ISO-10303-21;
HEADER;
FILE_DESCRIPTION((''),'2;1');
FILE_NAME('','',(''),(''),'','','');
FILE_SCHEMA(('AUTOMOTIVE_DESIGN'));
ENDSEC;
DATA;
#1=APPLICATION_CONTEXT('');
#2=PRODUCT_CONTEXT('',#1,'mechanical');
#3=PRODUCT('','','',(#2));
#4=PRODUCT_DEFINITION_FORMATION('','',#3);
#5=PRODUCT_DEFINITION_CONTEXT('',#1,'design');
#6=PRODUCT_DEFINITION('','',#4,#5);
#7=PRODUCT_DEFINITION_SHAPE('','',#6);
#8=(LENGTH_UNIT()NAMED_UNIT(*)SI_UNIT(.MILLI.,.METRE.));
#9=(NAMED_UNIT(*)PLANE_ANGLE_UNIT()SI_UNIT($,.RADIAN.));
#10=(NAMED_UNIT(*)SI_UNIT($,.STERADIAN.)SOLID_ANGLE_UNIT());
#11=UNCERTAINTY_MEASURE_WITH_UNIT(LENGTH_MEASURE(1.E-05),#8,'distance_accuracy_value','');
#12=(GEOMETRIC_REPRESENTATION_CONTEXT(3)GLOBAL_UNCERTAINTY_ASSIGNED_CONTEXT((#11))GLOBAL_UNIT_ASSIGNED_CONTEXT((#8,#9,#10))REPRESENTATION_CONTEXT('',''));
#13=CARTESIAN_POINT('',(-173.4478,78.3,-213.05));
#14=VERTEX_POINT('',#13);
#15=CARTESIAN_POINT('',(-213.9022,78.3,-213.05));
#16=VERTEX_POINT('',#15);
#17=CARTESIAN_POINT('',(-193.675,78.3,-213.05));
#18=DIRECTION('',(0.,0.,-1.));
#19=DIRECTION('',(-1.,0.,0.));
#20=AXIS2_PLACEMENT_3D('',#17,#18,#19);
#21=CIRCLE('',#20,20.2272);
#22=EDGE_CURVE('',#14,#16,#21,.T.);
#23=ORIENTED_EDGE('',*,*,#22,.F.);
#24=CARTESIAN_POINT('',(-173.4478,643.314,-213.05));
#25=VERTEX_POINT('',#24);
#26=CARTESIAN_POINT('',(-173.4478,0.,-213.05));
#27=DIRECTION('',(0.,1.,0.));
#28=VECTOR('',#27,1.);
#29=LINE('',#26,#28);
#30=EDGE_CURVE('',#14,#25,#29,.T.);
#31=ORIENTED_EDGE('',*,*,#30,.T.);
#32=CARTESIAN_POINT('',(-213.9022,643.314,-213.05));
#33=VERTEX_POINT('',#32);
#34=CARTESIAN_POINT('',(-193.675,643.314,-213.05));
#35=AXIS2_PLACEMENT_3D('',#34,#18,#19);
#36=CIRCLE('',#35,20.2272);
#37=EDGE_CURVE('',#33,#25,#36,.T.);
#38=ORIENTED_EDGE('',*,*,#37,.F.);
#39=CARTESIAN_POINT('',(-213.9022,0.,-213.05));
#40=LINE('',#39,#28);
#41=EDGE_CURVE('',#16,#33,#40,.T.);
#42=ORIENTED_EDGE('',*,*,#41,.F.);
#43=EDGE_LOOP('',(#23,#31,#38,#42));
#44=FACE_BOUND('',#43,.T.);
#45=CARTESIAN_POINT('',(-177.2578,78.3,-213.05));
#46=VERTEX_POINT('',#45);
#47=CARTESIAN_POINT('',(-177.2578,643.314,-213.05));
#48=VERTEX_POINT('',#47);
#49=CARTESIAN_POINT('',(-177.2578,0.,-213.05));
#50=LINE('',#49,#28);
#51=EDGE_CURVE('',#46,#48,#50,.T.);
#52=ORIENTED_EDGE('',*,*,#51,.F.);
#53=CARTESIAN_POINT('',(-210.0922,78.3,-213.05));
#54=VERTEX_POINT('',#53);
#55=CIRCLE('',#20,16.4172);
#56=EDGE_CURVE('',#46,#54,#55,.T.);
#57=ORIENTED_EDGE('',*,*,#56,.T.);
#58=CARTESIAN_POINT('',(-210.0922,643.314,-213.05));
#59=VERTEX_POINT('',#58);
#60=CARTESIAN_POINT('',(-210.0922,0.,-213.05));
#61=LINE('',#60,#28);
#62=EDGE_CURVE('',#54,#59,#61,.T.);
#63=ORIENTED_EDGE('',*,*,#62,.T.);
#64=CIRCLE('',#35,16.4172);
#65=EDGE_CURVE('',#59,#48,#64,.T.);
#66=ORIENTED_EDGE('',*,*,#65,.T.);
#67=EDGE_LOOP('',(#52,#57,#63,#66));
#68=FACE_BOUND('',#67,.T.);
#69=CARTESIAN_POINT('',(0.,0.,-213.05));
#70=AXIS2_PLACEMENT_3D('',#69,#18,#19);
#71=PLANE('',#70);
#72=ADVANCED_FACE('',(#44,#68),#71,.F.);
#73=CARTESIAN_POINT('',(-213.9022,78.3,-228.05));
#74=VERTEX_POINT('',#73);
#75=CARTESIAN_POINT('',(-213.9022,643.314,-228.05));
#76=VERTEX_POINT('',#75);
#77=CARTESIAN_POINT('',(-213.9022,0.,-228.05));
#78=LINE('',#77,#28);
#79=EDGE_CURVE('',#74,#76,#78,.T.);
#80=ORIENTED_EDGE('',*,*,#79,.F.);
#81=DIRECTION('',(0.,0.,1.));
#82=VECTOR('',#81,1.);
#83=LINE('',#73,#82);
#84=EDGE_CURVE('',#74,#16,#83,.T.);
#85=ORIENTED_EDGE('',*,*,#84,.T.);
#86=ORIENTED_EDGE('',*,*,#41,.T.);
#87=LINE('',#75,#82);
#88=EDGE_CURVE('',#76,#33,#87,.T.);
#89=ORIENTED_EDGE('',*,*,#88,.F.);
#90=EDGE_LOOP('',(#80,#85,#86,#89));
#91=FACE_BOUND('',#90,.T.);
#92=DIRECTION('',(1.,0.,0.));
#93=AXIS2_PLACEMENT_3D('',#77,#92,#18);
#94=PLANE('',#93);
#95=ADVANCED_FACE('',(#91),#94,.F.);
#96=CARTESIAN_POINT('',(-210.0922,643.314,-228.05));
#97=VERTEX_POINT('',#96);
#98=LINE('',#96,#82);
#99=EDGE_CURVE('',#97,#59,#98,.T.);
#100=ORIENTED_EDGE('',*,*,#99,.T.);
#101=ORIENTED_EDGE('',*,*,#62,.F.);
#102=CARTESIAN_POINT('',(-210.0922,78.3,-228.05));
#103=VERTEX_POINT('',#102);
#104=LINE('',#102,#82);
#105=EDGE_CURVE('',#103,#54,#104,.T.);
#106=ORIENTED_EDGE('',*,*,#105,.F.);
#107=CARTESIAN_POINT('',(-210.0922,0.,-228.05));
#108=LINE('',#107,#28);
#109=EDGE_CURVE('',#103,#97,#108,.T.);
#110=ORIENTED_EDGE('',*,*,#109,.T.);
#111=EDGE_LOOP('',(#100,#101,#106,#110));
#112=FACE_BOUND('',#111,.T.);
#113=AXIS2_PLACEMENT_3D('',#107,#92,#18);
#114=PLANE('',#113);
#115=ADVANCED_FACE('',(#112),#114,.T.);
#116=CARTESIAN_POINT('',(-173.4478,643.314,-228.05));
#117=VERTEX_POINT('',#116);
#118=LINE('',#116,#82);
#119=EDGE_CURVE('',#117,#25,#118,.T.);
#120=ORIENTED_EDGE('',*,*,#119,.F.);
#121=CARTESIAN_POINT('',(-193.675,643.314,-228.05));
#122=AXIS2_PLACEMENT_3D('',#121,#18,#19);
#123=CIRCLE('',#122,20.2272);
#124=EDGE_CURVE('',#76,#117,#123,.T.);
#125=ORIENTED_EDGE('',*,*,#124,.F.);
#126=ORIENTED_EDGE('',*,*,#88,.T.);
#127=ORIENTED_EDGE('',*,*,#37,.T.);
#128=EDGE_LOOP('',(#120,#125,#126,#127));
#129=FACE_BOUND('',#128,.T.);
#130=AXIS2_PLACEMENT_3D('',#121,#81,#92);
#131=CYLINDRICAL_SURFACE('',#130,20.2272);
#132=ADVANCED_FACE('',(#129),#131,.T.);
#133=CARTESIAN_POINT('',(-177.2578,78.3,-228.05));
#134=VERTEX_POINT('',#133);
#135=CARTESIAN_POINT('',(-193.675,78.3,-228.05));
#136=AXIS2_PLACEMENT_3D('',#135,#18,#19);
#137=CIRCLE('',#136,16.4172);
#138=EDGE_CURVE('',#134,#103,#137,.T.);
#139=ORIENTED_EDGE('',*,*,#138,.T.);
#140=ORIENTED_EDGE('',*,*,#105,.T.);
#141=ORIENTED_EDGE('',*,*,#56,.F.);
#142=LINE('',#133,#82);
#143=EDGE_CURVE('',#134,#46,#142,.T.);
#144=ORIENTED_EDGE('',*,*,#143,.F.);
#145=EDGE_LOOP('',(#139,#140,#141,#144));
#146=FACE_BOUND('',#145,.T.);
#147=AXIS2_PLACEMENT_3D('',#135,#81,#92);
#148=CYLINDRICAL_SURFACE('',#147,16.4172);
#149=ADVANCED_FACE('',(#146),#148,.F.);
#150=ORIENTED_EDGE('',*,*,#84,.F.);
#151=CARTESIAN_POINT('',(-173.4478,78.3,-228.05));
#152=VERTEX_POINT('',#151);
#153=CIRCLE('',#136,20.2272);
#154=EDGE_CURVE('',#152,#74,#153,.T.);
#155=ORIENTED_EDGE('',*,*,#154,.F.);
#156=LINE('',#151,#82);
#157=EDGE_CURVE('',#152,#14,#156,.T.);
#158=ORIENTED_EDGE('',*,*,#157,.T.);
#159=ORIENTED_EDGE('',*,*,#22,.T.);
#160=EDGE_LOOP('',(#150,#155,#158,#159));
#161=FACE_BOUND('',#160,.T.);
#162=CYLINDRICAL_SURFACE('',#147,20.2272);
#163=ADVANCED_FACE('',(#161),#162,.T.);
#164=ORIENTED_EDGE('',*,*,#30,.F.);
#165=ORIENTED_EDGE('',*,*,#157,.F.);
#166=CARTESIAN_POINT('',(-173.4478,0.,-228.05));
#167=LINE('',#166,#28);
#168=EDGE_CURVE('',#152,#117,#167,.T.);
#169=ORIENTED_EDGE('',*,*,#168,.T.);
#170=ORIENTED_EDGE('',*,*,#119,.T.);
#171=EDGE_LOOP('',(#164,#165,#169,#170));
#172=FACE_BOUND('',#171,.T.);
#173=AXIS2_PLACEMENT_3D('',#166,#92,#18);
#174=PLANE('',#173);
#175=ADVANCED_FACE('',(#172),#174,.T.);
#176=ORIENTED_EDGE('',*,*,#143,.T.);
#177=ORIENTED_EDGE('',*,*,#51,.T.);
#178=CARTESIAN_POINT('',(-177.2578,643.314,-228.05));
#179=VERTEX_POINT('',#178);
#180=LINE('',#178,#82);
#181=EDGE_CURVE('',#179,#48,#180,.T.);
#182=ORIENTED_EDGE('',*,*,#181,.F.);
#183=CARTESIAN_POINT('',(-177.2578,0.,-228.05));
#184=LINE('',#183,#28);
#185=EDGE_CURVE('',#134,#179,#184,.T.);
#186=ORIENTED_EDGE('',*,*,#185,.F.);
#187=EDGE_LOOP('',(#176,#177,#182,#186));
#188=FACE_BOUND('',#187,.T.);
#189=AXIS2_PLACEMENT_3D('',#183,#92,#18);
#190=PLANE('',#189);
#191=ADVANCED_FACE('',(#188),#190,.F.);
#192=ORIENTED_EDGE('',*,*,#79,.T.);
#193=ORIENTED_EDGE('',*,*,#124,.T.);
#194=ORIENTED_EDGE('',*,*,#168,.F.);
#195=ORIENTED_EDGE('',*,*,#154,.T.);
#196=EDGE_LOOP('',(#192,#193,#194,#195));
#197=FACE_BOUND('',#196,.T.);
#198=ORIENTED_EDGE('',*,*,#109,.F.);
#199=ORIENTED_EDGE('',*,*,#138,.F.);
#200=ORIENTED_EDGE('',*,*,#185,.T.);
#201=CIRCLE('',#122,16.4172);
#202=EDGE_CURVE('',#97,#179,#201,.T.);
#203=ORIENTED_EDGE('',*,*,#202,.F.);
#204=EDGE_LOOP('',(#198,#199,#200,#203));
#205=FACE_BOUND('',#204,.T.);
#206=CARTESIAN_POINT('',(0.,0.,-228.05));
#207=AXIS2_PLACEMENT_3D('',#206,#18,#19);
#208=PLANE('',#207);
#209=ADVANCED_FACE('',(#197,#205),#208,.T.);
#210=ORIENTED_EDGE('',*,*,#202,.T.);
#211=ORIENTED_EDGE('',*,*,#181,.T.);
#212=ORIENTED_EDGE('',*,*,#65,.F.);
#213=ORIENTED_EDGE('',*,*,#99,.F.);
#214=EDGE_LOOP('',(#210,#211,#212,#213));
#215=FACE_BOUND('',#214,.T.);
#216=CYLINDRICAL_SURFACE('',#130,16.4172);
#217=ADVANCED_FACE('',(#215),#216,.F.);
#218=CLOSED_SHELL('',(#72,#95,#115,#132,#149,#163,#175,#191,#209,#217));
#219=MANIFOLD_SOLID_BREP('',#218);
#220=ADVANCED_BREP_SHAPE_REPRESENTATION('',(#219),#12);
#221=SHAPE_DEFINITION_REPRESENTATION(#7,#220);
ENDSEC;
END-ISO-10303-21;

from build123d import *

# Parameters (mm, degrees)
BOSS_EXTRUDE1_DEPTH = 7.5


with BuildPart() as part:
    # Sketch1 → Boss-Extrude1 (new, symmetric)
    with BuildSketch(Plane(origin=(0, 0, -220.55), x_dir=(-1, 0, 0), z_dir=(0, 0, -1))):
        with BuildLine():
            Line((173.4478, 78.3), (173.4478, 643.313999882))
            ThreePointArc((173.4478, 643.313999882), (193.675, 663.541199882), (213.9022, 643.313999882))
            Line((213.9022, 643.313999882), (213.9022, 78.3))
            ThreePointArc((213.9022, 78.3), (193.675, 58.0728), (173.4478, 78.3))
        make_face()
        with BuildLine():
            Line((177.2578, 78.3), (177.2578, 643.313999882))
            ThreePointArc((177.2578, 643.313999882), (193.675, 659.731199882), (210.0922, 643.313999882))
            Line((210.0922, 643.313999882), (210.0922, 78.3))
            ThreePointArc((210.0922, 78.3), (193.675, 61.8828), (177.2578, 78.3))
        make_face(mode=Mode.SUBTRACT)
    extrude(amount=BOSS_EXTRUDE1_DEPTH, both=True)


solid = part.part
